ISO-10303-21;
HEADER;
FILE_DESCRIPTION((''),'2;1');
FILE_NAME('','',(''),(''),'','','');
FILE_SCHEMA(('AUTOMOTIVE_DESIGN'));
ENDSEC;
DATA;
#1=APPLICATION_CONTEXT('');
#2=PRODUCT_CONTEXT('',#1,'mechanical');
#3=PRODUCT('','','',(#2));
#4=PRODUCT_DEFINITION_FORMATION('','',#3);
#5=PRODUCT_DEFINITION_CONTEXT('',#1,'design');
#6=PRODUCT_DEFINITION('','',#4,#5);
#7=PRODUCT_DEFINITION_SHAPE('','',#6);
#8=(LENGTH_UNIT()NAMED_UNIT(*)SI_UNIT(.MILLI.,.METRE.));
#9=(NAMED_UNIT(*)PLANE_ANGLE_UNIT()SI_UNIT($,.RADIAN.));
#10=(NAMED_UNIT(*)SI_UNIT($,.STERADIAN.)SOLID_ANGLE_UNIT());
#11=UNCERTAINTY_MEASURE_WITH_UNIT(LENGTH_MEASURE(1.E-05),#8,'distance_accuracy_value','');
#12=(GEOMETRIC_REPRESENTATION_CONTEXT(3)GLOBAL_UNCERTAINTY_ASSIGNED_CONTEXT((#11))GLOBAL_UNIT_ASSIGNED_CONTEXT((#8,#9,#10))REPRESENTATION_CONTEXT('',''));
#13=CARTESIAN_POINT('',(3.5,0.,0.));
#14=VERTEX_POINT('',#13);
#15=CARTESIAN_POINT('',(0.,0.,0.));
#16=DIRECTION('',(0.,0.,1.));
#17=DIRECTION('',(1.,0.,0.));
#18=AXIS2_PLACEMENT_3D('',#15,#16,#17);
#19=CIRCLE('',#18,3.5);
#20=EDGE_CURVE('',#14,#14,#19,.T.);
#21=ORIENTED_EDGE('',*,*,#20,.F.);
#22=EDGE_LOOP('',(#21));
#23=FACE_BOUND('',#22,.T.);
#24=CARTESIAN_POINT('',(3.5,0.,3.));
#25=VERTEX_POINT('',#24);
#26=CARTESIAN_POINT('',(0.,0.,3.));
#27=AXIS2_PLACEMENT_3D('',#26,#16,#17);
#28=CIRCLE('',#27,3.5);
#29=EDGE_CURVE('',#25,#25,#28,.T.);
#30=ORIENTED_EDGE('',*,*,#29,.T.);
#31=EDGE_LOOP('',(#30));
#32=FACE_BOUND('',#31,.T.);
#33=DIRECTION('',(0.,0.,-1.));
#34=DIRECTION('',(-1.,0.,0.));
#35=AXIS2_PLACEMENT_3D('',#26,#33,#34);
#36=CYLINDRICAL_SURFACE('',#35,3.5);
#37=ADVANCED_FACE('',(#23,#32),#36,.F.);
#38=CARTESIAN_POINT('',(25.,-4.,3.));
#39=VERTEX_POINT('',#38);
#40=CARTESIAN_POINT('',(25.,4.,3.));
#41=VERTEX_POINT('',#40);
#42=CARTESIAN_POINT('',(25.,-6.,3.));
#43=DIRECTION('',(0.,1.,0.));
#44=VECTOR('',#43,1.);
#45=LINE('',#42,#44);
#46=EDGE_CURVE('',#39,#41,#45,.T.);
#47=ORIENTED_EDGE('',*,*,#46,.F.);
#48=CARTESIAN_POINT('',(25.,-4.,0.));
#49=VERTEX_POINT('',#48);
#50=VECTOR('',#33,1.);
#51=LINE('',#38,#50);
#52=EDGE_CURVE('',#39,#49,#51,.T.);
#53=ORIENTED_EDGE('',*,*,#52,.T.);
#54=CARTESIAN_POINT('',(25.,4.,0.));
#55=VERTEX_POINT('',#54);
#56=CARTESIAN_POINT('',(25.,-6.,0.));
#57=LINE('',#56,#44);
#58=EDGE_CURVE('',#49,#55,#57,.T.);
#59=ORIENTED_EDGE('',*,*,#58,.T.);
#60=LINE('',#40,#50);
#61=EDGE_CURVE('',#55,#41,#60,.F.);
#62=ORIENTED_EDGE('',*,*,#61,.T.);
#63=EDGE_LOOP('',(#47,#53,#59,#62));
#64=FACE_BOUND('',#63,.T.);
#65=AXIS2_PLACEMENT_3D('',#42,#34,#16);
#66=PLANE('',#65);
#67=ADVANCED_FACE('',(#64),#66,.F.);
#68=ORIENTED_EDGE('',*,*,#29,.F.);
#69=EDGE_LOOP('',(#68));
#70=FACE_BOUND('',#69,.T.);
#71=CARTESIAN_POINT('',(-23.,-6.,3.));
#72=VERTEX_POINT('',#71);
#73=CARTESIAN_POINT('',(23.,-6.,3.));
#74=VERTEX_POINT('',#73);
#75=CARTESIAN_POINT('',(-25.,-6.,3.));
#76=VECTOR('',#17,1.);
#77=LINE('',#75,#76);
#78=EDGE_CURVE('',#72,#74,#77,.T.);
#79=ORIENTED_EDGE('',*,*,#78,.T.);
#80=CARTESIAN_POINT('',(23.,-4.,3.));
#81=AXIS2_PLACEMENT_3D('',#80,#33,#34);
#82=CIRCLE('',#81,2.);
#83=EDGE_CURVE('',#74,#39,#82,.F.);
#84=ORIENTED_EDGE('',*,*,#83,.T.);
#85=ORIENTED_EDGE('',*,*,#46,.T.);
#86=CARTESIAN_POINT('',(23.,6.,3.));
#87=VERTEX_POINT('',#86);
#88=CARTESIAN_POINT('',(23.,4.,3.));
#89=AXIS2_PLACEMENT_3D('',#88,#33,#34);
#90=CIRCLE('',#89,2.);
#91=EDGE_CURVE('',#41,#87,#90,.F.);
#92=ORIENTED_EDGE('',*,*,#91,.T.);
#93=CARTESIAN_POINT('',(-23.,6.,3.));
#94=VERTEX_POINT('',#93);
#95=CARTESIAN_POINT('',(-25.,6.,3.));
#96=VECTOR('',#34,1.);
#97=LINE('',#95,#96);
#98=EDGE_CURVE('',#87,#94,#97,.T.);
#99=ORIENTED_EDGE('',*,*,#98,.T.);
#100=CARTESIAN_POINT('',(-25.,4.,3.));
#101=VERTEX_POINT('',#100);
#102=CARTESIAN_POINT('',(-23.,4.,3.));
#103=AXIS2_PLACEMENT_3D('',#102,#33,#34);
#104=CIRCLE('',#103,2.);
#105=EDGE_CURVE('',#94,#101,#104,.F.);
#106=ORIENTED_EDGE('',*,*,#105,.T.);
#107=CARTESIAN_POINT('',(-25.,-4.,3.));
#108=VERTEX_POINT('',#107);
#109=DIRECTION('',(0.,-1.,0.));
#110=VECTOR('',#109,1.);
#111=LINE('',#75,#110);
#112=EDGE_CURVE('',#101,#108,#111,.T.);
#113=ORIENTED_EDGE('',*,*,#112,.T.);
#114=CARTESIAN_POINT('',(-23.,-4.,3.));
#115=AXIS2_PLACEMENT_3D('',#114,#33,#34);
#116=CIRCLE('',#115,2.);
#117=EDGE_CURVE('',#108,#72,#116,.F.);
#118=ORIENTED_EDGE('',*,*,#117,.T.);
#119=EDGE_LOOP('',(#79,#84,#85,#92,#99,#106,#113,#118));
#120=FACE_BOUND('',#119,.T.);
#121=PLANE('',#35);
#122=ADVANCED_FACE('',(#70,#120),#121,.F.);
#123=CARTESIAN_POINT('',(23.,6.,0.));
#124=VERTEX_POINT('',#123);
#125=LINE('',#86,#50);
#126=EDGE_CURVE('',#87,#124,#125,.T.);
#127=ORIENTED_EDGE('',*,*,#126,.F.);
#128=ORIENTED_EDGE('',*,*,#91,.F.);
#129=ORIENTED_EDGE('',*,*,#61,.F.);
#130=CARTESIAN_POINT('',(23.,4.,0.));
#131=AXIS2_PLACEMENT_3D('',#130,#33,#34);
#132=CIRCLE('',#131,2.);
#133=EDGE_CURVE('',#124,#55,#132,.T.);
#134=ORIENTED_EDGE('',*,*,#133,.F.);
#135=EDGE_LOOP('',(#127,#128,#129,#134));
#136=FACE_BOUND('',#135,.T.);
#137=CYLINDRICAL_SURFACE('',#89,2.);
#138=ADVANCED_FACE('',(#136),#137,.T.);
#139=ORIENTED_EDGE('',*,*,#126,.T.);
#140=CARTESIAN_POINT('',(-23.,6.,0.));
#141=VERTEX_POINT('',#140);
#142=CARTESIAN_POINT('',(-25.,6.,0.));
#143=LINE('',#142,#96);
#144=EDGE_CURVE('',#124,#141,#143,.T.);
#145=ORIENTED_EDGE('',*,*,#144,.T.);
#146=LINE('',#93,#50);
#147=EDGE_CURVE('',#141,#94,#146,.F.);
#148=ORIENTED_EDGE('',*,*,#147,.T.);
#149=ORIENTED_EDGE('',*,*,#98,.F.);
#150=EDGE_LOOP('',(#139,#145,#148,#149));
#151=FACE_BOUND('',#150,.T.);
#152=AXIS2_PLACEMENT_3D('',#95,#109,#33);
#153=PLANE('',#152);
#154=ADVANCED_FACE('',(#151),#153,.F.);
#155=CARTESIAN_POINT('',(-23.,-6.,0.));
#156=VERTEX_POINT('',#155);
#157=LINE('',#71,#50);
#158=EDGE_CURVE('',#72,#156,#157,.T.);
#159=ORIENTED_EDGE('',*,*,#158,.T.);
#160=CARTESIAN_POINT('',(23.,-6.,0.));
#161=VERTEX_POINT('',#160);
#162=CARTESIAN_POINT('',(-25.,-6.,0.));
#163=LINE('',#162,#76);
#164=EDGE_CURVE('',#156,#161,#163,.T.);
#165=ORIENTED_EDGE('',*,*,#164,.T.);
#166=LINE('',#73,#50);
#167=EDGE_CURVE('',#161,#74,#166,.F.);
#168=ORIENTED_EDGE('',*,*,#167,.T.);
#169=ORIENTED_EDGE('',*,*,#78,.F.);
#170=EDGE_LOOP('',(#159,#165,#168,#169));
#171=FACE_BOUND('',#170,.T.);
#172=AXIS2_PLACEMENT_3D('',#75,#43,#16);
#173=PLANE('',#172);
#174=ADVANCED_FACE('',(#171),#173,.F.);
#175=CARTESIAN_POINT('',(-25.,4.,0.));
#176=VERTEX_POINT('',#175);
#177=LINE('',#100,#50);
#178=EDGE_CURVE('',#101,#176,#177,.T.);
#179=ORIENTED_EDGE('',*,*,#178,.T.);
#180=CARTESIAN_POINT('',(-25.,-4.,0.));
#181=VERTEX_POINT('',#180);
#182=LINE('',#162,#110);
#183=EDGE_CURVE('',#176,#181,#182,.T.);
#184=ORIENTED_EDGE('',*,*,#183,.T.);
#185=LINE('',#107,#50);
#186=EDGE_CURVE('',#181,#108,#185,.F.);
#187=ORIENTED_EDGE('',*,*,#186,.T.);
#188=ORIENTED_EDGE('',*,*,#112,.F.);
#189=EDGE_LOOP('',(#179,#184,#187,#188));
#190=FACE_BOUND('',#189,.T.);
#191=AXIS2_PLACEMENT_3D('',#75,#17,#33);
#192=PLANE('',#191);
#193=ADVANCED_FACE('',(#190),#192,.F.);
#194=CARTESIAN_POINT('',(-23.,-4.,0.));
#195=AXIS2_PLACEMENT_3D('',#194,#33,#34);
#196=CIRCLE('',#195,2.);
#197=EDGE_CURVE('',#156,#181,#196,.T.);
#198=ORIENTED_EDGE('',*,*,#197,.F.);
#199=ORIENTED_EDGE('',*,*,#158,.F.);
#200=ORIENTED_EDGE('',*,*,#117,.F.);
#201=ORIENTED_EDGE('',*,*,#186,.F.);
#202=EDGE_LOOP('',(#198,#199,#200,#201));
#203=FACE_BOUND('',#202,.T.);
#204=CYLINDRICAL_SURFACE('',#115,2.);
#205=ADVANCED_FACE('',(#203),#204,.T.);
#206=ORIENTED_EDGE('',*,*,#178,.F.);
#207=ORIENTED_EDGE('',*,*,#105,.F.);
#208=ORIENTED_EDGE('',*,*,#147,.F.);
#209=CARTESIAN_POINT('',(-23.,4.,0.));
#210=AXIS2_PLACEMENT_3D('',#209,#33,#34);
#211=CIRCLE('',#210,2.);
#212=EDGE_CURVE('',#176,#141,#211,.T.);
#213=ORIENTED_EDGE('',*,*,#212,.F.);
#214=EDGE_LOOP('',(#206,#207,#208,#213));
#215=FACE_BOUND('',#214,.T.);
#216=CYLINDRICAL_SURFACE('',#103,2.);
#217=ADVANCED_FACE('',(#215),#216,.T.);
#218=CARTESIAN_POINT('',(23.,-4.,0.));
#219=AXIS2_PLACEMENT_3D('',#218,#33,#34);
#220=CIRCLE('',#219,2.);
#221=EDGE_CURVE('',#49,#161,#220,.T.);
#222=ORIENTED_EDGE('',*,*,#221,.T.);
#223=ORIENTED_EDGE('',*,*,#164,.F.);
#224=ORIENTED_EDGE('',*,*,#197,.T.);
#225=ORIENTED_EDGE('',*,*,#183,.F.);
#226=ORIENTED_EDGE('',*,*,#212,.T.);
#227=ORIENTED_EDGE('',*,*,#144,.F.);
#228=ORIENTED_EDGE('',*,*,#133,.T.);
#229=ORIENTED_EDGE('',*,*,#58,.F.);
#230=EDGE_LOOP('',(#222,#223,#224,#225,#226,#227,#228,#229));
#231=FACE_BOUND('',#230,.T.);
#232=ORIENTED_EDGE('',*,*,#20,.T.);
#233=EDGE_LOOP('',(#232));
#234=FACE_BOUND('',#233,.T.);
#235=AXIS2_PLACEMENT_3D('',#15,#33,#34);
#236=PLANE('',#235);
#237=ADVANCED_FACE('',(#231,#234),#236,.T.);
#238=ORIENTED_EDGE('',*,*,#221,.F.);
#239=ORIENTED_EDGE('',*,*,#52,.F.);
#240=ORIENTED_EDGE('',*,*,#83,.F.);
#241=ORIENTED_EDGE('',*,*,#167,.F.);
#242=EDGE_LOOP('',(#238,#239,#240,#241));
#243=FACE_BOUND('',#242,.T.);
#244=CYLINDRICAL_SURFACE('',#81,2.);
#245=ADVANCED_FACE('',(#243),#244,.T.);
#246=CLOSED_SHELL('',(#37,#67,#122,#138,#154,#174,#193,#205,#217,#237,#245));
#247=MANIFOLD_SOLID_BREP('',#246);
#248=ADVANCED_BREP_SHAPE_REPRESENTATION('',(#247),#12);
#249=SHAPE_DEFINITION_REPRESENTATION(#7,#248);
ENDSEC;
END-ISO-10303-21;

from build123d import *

# Parameters (mm, degrees)
SKETCH1_W           = 50
SKETCH1_H           = 12
SKETCH1_R           = 3.5
BOSS_EXTRUDE1_DEPTH = 3
FILLET1_R           = 2


with BuildPart() as part:
    # Sketch1 → Boss-Extrude1 (new body)
    with BuildSketch(Plane.XY):
        Rectangle(SKETCH1_W, SKETCH1_H)
        Circle(SKETCH1_R, mode=Mode.SUBTRACT)
    extrude(amount=BOSS_EXTRUDE1_DEPTH)

    # Fillet1
    fillet1_edges = [part.edges().sort_by_distance(p)[0] for p in [
        (25, -6, 1.5),
        (-25, -6, 1.5),
        (-25, 6, 1.5),
        (25, 6, 1.5),
    ]]
    fillet(fillet1_edges, radius=FILLET1_R)


solid = part.part
